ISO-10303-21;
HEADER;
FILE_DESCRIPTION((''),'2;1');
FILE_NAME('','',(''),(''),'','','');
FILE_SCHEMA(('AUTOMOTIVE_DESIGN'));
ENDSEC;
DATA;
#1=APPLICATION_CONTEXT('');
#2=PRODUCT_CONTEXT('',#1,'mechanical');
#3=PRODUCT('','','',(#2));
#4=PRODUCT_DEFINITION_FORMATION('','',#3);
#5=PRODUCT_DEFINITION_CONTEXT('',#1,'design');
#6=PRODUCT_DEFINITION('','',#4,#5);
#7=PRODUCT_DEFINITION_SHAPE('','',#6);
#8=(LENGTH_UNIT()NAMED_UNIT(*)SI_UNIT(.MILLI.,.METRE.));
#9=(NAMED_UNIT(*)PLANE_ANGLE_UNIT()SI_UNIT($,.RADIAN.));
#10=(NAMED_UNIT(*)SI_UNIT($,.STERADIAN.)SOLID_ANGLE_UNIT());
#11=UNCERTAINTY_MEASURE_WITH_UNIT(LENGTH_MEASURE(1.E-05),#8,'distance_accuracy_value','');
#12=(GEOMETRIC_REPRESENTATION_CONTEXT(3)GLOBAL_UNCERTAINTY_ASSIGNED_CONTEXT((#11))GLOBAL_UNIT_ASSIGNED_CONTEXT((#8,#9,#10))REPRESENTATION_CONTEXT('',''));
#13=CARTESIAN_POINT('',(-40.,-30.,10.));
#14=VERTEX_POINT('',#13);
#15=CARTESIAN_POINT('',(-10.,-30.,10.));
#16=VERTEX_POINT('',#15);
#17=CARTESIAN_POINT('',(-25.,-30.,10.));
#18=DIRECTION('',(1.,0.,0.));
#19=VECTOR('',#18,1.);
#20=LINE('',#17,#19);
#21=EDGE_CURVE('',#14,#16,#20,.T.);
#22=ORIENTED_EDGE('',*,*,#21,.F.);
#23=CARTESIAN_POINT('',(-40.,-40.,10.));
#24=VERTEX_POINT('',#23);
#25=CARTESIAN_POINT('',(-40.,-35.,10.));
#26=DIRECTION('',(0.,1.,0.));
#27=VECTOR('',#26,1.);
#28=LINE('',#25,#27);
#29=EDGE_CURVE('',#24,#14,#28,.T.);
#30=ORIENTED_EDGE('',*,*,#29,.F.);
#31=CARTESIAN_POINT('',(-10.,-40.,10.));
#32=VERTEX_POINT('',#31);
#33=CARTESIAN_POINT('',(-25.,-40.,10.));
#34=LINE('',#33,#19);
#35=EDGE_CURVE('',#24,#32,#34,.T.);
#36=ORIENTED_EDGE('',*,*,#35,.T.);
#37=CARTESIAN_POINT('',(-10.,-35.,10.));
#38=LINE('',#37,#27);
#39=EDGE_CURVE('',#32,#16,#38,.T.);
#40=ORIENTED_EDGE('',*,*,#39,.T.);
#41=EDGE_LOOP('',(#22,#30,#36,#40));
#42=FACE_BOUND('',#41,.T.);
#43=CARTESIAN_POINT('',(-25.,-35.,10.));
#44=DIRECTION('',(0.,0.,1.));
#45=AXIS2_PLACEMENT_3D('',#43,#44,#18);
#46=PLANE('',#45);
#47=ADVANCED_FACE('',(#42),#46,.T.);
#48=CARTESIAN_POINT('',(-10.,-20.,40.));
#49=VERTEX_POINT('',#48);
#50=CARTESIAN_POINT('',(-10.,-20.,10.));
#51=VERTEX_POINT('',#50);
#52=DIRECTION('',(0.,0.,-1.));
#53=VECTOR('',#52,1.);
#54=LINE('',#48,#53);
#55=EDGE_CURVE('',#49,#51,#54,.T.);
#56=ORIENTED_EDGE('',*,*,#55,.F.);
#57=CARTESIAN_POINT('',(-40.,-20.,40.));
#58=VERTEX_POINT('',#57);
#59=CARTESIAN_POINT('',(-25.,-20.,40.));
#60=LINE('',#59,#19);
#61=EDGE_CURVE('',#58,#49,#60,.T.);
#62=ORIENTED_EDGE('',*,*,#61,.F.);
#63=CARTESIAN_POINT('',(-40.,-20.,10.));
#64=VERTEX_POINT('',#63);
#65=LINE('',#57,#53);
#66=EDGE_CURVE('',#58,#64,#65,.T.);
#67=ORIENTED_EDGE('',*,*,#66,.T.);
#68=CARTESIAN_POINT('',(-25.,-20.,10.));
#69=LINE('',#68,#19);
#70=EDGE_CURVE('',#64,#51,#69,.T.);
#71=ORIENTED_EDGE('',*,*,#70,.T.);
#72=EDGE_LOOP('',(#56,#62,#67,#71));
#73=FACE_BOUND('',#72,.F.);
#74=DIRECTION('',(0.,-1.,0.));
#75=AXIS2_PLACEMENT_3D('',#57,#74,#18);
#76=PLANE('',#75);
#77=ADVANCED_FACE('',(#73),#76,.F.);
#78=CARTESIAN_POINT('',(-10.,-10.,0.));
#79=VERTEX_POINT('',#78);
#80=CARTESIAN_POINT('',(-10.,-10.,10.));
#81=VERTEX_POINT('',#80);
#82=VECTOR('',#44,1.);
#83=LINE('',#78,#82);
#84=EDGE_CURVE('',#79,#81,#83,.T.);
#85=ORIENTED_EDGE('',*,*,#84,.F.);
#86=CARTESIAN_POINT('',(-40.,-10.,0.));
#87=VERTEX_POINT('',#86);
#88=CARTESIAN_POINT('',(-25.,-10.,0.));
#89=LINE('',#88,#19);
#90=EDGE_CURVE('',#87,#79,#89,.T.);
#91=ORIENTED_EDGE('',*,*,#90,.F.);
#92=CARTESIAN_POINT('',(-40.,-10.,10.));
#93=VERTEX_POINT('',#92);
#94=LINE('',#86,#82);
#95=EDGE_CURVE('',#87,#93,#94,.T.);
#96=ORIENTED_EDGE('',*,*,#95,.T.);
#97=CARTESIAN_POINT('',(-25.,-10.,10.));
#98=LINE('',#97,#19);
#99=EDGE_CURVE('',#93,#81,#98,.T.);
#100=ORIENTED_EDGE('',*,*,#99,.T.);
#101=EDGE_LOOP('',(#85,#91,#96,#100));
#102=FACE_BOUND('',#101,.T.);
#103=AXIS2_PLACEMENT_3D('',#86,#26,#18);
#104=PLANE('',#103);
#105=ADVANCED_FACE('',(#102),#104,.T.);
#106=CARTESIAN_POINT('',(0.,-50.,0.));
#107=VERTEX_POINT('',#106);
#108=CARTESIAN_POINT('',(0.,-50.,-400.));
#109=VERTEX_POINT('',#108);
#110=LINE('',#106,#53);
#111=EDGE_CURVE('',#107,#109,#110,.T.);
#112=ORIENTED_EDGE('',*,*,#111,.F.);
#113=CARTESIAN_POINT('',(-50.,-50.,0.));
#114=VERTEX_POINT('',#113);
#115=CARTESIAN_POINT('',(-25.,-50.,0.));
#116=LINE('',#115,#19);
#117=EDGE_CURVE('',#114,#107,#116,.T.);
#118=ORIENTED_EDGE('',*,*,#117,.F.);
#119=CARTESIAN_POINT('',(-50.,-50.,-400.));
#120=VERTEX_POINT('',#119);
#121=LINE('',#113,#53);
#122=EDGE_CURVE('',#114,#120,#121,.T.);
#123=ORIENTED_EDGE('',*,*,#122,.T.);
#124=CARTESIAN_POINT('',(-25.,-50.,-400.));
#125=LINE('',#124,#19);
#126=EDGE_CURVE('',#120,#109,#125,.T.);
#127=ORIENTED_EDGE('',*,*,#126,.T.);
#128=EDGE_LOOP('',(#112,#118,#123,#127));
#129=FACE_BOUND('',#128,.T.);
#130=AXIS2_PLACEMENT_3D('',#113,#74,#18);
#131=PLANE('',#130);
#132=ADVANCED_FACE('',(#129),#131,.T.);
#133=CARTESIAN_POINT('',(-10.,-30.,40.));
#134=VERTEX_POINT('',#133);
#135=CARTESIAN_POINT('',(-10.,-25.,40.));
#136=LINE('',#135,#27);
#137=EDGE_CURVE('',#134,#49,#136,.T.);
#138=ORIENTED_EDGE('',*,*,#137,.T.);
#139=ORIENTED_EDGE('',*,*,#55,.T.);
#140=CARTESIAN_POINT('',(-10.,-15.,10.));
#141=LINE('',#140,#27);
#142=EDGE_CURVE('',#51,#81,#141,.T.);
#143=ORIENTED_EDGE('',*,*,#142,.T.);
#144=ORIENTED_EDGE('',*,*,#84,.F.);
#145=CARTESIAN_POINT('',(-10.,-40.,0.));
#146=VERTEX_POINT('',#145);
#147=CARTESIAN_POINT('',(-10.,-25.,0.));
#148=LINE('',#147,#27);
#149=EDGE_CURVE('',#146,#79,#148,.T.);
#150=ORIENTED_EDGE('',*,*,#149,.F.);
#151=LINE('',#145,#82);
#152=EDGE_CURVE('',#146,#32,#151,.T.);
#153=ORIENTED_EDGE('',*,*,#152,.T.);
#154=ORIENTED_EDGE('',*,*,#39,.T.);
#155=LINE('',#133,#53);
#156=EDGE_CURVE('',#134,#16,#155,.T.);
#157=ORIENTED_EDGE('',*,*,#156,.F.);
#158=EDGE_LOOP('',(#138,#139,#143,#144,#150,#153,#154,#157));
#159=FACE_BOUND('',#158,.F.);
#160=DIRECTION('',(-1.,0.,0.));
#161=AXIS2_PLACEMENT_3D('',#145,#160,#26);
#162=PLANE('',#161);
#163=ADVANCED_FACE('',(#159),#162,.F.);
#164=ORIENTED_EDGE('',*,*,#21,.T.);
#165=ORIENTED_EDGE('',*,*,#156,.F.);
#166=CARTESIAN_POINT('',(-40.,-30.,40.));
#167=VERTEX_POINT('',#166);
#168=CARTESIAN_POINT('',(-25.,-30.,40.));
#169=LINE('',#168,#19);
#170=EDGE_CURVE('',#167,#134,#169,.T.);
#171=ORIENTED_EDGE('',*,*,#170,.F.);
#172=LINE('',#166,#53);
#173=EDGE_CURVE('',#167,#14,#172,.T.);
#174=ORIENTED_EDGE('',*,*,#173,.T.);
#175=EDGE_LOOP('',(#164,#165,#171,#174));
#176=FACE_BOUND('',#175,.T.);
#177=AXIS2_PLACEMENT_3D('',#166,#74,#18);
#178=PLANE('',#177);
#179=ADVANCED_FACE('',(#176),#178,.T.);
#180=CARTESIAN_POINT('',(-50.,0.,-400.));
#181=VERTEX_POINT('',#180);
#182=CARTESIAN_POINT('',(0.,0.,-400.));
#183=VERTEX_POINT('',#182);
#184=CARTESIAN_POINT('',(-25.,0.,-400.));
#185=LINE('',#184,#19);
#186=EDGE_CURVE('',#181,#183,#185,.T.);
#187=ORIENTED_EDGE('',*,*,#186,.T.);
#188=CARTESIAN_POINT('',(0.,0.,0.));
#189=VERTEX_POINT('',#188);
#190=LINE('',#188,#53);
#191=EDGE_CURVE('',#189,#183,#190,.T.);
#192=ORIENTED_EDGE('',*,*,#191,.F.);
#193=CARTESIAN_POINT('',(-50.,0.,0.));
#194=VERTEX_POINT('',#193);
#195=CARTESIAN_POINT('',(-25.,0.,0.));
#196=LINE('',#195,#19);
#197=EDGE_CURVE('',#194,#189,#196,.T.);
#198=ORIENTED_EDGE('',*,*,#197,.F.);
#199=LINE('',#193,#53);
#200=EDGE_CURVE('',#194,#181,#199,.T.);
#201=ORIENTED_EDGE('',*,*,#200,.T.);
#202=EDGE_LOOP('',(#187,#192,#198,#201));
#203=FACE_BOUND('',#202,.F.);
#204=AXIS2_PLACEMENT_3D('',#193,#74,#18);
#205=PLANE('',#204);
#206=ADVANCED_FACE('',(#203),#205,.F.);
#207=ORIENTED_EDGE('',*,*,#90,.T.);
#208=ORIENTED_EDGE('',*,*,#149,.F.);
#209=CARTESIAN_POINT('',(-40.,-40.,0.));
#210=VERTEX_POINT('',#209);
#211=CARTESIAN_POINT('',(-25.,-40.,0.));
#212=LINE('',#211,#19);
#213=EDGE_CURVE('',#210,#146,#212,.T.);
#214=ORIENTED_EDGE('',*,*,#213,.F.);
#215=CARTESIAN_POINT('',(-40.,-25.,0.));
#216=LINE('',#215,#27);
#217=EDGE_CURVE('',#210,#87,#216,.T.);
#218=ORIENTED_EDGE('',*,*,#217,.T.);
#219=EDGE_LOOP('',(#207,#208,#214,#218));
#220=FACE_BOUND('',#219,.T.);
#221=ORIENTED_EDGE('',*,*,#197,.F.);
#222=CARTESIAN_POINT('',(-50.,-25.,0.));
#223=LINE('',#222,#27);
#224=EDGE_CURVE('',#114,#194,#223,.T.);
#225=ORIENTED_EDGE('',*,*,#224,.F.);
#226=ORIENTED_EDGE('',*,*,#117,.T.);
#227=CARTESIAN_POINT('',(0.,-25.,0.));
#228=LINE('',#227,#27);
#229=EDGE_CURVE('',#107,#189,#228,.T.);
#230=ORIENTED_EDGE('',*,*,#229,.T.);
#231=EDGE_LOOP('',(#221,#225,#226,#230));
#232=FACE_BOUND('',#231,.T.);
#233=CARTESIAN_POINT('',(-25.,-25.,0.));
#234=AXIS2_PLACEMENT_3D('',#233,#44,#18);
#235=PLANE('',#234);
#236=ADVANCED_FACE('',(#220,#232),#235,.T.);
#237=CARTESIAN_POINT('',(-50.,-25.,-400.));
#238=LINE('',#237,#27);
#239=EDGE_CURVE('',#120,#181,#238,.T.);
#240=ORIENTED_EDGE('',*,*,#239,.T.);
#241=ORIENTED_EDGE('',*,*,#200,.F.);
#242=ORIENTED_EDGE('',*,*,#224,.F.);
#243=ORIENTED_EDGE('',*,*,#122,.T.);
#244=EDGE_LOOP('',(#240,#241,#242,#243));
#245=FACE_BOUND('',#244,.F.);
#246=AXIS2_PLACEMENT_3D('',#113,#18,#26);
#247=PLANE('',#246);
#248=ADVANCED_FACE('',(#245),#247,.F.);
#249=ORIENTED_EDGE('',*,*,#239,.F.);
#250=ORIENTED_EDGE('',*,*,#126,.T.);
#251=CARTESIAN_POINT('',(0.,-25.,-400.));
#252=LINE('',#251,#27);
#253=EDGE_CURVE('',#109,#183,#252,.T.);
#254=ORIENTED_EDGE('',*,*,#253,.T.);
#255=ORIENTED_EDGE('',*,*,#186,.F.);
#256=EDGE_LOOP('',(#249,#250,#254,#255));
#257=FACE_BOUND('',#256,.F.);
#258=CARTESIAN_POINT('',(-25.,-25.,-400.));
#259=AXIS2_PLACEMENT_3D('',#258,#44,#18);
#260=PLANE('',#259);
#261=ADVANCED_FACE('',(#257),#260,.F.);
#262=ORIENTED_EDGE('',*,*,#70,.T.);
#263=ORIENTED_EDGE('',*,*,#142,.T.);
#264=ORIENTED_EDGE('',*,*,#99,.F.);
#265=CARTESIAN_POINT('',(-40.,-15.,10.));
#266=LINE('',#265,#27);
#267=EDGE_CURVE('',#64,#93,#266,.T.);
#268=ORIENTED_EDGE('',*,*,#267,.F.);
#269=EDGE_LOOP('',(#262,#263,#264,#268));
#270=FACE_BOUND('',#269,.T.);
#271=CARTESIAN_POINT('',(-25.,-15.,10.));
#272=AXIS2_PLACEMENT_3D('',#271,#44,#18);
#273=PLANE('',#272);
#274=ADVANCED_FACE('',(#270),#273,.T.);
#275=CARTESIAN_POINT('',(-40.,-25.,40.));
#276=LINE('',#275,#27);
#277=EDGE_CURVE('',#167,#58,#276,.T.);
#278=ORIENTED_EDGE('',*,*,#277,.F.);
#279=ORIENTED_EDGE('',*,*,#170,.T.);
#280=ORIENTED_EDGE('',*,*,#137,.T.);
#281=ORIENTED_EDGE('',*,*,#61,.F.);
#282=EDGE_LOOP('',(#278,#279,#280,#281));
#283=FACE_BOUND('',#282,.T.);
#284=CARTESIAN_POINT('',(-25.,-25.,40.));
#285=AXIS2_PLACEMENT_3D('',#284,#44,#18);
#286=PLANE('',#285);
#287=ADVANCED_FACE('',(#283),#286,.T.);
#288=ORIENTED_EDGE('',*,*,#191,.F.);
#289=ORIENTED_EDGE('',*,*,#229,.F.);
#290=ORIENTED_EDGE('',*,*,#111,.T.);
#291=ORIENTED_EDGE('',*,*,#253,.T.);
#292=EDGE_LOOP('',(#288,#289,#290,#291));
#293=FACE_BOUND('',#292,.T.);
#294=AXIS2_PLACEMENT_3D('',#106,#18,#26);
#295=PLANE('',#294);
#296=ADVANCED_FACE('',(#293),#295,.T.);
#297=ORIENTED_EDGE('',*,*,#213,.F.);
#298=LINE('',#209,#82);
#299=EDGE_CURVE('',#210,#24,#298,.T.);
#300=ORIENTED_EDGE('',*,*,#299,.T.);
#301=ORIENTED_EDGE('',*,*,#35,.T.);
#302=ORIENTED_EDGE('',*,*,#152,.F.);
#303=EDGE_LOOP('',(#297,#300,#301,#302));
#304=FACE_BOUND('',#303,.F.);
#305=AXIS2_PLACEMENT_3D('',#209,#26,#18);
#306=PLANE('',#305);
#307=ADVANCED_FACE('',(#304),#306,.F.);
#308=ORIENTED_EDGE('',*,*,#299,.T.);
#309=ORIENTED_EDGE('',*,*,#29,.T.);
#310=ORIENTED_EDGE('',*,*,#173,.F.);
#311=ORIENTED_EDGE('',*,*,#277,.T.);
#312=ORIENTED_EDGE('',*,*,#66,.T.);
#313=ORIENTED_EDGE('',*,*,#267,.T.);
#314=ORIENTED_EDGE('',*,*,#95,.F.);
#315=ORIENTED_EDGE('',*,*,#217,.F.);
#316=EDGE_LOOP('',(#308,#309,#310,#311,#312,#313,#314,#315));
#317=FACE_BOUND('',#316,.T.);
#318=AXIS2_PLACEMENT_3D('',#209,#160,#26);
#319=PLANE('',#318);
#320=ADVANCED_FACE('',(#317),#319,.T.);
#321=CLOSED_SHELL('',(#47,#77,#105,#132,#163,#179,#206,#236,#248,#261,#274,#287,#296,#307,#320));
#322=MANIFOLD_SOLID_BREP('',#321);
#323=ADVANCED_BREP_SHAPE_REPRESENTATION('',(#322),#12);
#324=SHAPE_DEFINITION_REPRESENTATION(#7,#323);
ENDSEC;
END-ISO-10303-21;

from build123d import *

# Parameters (mm, degrees)
F0_W     = 50
F0_H     = 50
F1_DEPTH = 400
F2_W     = 30
F2_H     = 30
F3_DEPTH = 40
F4_W     = 30
F4_H     = 10
F5_DEPTH = 30


with BuildPart() as f1:
    # F0 (on Top) → F1 (new body)
    with BuildSketch(Plane.XY):
        with Locations((-25, -25)):
            Rectangle(F0_W, F0_H)
    extrude(amount=-F1_DEPTH)

    # F2 (on face) → F3 (join)
    with BuildSketch(Plane.XY):
        with Locations((-25, -25)):
            Rectangle(F2_W, F2_H)
    extrude(amount=F3_DEPTH)

    # F4 (on face) → F5 (cut)
    with BuildSketch(Plane.XY.offset(40)):
        with Locations((-25, -35)):
            Rectangle(F4_W, F4_H)
        with Locations((-25, -15)):
            Rectangle(F4_W, F4_H)
    extrude(amount=-F5_DEPTH, mode=Mode.SUBTRACT)


solid = f1.part
